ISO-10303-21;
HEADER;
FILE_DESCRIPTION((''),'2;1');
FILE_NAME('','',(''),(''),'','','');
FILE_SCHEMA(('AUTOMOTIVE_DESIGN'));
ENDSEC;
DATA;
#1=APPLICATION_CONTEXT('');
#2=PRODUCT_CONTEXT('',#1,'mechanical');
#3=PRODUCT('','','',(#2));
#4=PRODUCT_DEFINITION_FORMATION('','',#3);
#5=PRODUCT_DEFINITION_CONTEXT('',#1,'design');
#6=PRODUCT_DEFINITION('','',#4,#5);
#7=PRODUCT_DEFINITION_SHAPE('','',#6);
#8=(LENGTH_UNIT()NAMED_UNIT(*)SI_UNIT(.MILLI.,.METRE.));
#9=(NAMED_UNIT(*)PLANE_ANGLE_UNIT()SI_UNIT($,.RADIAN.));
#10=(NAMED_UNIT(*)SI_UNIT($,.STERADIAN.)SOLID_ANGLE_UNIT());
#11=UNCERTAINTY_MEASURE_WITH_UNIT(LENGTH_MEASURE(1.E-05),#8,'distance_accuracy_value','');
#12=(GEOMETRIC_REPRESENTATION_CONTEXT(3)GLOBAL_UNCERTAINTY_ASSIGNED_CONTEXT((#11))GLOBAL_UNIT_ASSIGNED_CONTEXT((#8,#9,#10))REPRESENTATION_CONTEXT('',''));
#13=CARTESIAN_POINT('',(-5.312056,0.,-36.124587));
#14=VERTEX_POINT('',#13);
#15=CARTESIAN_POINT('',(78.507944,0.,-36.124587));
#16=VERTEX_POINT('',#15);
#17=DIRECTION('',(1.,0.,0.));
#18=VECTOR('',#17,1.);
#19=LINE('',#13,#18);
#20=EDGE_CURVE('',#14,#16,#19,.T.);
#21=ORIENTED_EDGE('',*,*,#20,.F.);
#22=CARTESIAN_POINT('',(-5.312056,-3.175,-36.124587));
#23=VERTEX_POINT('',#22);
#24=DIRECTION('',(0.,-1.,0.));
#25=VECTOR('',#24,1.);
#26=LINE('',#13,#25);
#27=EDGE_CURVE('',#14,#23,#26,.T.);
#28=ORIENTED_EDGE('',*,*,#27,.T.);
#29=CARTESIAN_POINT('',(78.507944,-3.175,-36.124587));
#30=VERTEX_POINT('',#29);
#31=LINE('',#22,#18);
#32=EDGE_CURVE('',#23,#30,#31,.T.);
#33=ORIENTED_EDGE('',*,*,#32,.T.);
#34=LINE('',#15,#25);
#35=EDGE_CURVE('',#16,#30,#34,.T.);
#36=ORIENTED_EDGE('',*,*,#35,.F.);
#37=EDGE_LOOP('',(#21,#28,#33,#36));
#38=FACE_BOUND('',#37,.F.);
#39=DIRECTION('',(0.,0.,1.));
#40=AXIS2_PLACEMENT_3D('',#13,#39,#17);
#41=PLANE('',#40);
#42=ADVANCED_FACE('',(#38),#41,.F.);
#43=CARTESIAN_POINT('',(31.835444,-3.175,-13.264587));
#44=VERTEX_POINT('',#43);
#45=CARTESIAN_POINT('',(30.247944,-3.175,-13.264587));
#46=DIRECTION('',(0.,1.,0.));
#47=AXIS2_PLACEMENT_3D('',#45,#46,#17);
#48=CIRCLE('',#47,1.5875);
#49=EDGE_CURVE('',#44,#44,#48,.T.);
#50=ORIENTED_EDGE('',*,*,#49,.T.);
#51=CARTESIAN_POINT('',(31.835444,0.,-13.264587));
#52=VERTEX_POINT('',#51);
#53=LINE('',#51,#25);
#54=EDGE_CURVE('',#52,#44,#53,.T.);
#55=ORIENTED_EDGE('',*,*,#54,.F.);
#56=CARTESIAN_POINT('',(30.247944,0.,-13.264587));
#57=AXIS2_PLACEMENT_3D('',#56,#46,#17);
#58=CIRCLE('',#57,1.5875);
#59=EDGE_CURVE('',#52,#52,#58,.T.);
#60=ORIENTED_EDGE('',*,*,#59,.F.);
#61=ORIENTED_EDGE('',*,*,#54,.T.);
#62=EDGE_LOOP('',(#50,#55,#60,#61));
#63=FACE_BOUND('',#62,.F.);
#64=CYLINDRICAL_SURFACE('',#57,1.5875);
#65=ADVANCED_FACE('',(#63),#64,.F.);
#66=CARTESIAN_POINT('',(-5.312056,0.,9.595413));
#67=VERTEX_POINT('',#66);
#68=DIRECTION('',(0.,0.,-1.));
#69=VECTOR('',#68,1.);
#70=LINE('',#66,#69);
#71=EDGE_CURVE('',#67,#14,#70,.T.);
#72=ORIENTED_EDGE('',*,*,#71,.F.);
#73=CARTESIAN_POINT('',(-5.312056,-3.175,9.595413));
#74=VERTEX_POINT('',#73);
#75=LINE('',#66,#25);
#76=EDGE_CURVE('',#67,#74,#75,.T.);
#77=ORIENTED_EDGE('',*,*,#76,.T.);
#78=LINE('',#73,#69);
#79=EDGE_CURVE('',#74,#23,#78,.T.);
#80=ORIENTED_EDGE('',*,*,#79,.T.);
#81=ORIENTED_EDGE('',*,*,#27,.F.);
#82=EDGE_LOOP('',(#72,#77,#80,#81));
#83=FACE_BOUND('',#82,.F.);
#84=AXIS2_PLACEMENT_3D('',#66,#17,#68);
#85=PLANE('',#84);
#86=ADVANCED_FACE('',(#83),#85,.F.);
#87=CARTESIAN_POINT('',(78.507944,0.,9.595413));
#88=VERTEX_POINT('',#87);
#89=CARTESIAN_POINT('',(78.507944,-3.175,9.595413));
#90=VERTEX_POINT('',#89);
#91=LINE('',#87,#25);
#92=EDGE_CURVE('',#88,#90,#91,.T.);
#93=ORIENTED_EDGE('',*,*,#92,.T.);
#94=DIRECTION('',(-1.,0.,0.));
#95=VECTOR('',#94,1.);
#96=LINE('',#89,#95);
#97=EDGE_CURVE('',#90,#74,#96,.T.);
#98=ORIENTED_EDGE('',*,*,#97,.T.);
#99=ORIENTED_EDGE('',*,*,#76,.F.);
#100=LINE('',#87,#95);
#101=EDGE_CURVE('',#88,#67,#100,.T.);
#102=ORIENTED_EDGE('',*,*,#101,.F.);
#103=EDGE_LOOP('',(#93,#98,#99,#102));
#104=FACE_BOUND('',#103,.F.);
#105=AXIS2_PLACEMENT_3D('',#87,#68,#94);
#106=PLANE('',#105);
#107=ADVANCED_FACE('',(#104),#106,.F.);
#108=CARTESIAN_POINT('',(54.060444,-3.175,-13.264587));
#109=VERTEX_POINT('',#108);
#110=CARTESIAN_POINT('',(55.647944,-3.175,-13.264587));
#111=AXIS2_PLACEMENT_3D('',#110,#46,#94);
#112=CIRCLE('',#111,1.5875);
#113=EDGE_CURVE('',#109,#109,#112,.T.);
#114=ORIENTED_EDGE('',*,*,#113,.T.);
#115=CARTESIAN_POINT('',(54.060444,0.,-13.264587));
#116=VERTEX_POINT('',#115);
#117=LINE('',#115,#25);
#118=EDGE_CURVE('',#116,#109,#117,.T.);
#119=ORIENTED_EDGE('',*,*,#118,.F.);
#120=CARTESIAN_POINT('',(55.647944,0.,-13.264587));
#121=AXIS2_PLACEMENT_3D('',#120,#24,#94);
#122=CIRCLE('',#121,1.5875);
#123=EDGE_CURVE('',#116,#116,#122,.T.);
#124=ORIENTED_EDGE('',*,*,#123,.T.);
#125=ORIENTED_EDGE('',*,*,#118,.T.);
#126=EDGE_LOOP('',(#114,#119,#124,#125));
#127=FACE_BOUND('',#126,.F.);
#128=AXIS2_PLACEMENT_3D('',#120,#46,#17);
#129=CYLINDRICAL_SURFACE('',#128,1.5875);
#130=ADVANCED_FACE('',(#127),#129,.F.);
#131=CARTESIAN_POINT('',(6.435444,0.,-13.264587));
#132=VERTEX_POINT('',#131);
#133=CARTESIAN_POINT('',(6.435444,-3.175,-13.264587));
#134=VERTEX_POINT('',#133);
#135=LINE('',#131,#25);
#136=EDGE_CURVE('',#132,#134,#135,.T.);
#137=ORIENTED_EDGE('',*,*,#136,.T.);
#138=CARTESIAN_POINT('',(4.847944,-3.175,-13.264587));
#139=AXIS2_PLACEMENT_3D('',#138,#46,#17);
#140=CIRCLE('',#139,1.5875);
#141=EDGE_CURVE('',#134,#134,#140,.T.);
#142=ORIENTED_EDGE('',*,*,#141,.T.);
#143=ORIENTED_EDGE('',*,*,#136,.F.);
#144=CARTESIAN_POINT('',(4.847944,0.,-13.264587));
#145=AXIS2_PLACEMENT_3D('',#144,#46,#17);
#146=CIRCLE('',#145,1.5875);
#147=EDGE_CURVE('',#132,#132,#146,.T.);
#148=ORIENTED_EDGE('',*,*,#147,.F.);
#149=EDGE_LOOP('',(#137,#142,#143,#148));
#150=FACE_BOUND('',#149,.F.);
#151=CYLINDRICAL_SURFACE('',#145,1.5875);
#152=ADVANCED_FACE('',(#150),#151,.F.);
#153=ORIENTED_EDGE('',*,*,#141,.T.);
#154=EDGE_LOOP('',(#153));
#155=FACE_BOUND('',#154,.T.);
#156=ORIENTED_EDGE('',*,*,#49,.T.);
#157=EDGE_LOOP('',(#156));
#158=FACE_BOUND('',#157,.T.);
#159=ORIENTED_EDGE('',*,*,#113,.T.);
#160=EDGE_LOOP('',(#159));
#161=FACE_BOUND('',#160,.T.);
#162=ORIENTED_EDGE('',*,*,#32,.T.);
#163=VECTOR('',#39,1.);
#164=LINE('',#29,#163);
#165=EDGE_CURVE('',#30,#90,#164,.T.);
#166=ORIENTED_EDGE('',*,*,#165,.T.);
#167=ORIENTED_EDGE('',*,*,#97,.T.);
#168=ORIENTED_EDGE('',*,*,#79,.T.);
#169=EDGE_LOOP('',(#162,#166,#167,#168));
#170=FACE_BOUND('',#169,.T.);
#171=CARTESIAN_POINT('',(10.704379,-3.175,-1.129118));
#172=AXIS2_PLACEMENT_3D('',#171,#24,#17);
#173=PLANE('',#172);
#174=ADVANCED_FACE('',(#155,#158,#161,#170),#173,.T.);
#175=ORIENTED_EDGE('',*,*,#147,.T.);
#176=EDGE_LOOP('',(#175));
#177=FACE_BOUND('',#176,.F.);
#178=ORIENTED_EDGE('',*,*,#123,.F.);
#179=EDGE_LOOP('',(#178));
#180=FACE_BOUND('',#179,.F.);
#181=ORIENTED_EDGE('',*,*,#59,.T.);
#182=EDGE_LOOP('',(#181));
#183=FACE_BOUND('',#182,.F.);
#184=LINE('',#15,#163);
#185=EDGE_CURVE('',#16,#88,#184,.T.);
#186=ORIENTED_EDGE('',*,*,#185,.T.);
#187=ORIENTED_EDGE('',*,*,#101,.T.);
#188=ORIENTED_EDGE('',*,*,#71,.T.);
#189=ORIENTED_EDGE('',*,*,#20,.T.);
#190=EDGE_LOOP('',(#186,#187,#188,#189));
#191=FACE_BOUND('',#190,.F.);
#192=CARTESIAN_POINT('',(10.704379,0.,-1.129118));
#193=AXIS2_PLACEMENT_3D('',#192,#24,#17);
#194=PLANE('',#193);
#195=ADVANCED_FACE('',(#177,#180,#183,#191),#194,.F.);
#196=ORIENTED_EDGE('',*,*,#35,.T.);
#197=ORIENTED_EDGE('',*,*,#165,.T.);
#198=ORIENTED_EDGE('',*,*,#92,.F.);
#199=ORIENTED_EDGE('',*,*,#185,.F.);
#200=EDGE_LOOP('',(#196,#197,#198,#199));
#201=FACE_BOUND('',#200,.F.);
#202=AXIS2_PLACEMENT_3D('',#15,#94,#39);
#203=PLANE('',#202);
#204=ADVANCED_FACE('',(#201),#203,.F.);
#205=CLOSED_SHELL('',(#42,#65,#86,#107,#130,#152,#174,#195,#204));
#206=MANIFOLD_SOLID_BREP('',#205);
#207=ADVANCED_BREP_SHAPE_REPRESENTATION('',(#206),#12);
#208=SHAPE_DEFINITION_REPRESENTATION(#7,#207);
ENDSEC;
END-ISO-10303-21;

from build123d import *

# Parameters (mm, degrees)
F1_DEPTH = 3.175
F2_DEPTH = 3.175


with BuildPart() as f1:
    # F0 (on Front) → F1 (new body)
    with BuildSketch(Plane.XZ):
        Polygon((-1.5020562172, 9.5954131643), (-1.5020562172, 5.7854131643), (30.2479437828, 5.7854131643), (55.6479437828, 5.7854131643), (74.6979437828, 5.7854131643), (74.6979437828, 9.5954131643), align=None)
        Polygon((74.6979437828, -32.3145868357), (74.6979437828, -36.1245868357), (78.5079437828, -36.1245868357), (78.5079437828, 9.5954131643), (74.6979437828, 9.5954131643), (74.6979437828, 5.7854131643), (74.6979437828, -13.2645868357), align=None)
        Polygon((30.2479437828, -32.3145868357), (-1.5020562172, -32.3145868357), (-1.5020562172, -36.1245868357), (74.6979437828, -36.1245868357), (74.6979437828, -32.3145868357), (55.6479437828, -32.3145868357), align=None)
        Polygon((-1.5020562172, -36.1245868357), (-1.5020562172, -32.3145868357), (-1.5020562172, -13.2645868357), (-1.5020562172, 5.7854131643), (-1.5020562172, 9.5954131643), (-5.3120562172, 9.5954131643), (-5.3120562172, -36.1245868357), align=None)
        with BuildLine():
            ThreePointArc((36.5979437828, -13.2645868357), (38.257752582, -21.0417167691), (42.9479437828, -27.4636184928))
            ThreePointArc((42.9479437828, -27.4636184928), (47.6381349836, -21.0417167691), (49.2979437828, -13.2645868357))
            Line((49.2979437828, -13.2645868357), (36.5979437828, -13.2645868357))
        make_face()
        with BuildLine():
            ThreePointArc((36.5979437828, -13.2645868357), (30.2479437828, -6.9145868357), (23.8979437828, -13.2645868357))
            Line((23.8979437828, -13.2645868357), (28.6604437828, -13.2645868357))
            ThreePointArc((28.6604437828, -13.2645868357), (30.2479437828, -11.6770868357), (31.8354437828, -13.2645868357))
            Line((31.8354437828, -13.2645868357), (36.5979437828, -13.2645868357))
        make_face()
        with BuildLine():
            Line((28.6604437828, -13.2645868357), (23.8979437828, -13.2645868357))
            ThreePointArc((23.8979437828, -13.2645868357), (30.2479437828, -19.6145868357), (36.5979437828, -13.2645868357))
            Line((36.5979437828, -13.2645868357), (31.8354437828, -13.2645868357))
            ThreePointArc((31.8354437828, -13.2645868357), (30.2479437828, -14.8520868357), (28.6604437828, -13.2645868357))
        make_face()
        with BuildLine():
            ThreePointArc((11.1979437828, -13.2645868357), (16.7775596012, -26.7349710173), (30.2479437828, -32.3145868357))
            ThreePointArc((30.2479437828, -32.3145868357), (37.045404593, -31.060570274), (42.9479437828, -27.4636184928))
            ThreePointArc((42.9479437828, -27.4636184928), (38.257752582, -21.0417167691), (36.5979437828, -13.2645868357))
            ThreePointArc((36.5979437828, -13.2645868357), (30.2479437828, -19.6145868357), (23.8979437828, -13.2645868357))
            Line((23.8979437828, -13.2645868357), (11.1979437828, -13.2645868357))
        make_face()
        with BuildLine():
            ThreePointArc((30.2479437828, 5.7854131643), (16.7775596012, 0.2057973459), (11.1979437828, -13.2645868357))
            Line((11.1979437828, -13.2645868357), (23.8979437828, -13.2645868357))
            ThreePointArc((23.8979437828, -13.2645868357), (30.2479437828, -6.9145868357), (36.5979437828, -13.2645868357))
            ThreePointArc((36.5979437828, -13.2645868357), (38.257752582, -5.4874569024), (42.9479437828, 0.9344448214))
            ThreePointArc((42.9479437828, 0.9344448214), (37.045404593, 4.5313966025), (30.2479437828, 5.7854131643))
        make_face()
        with BuildLine():
            Line((36.5979437828, -13.2645868357), (49.2979437828, -13.2645868357))
            ThreePointArc((49.2979437828, -13.2645868357), (47.6381349836, -5.4874569024), (42.9479437828, 0.9344448214))
            ThreePointArc((42.9479437828, 0.9344448214), (38.257752582, -5.4874569024), (36.5979437828, -13.2645868357))
        make_face()
        with BuildLine():
            ThreePointArc((42.9479437828, -27.4636184928), (48.8504829726, -31.060570274), (55.6479437828, -32.3145868357))
            ThreePointArc((55.6479437828, -32.3145868357), (69.1183279644, -26.7349710173), (74.6979437828, -13.2645868357))
            Line((74.6979437828, -13.2645868357), (57.2354437828, -13.2645868357))
            ThreePointArc((57.2354437828, -13.2645868357), (55.6479437828, -14.8520868357), (54.0604437828, -13.2645868357))
            Line((54.0604437828, -13.2645868357), (49.2979437828, -13.2645868357))
            ThreePointArc((49.2979437828, -13.2645868357), (47.6381349836, -21.0417167691), (42.9479437828, -27.4636184928))
        make_face()
        with BuildLine():
            ThreePointArc((42.9479437828, -27.4636184928), (37.045404593, -31.060570274), (30.2479437828, -32.3145868357))
            Line((30.2479437828, -32.3145868357), (55.6479437828, -32.3145868357))
            ThreePointArc((55.6479437828, -32.3145868357), (48.8504829726, -31.060570274), (42.9479437828, -27.4636184928))
        make_face()
    extrude(amount=F1_DEPTH)

    # F0 (on Front) → F2 (join)
    with BuildSketch(Plane.XZ):
        with BuildLine():
            Line((-1.5020562172, 5.7854131643), (-1.5020562172, -13.2645868357))
            ThreePointArc((-1.5020562172, -13.2645868357), (4.8479437828, -6.9145868357), (11.1979437828, -13.2645868357))
            ThreePointArc((11.1979437828, -13.2645868357), (16.7775596012, 0.2057973459), (30.2479437828, 5.7854131643))
            Line((30.2479437828, 5.7854131643), (-1.5020562172, 5.7854131643))
        make_face()
        with BuildLine():
            Line((3.2604437828, -13.2645868357), (-1.5020562172, -13.2645868357))
            ThreePointArc((-1.5020562172, -13.2645868357), (4.8479437828, -19.6145868357), (11.1979437828, -13.2645868357))
            Line((11.1979437828, -13.2645868357), (6.4354437828, -13.2645868357))
            ThreePointArc((6.4354437828, -13.2645868357), (4.8479437828, -14.8520868357), (3.2604437828, -13.2645868357))
        make_face()
        with BuildLine():
            ThreePointArc((11.1979437828, -13.2645868357), (4.8479437828, -6.9145868357), (-1.5020562172, -13.2645868357))
            Line((-1.5020562172, -13.2645868357), (3.2604437828, -13.2645868357))
            ThreePointArc((3.2604437828, -13.2645868357), (4.8479437828, -11.6770868357), (6.4354437828, -13.2645868357))
            Line((6.4354437828, -13.2645868357), (11.1979437828, -13.2645868357))
        make_face()
        with BuildLine():
            Line((-1.5020562172, -13.2645868357), (-1.5020562172, -32.3145868357))
            Line((-1.5020562172, -32.3145868357), (30.2479437828, -32.3145868357))
            ThreePointArc((30.2479437828, -32.3145868357), (16.7775596012, -26.7349710173), (11.1979437828, -13.2645868357))
            ThreePointArc((11.1979437828, -13.2645868357), (4.8479437828, -19.6145868357), (-1.5020562172, -13.2645868357))
        make_face()
        with BuildLine():
            Line((55.6479437828, 5.7854131643), (30.2479437828, 5.7854131643))
            ThreePointArc((30.2479437828, 5.7854131643), (37.045404593, 4.5313966025), (42.9479437828, 0.9344448214))
            ThreePointArc((42.9479437828, 0.9344448214), (48.8504829726, 4.5313966025), (55.6479437828, 5.7854131643))
        make_face()
        with BuildLine():
            Line((57.2354437828, -13.2645868357), (74.6979437828, -13.2645868357))
            ThreePointArc((74.6979437828, -13.2645868357), (69.1183279644, 0.2057973459), (55.6479437828, 5.7854131643))
            ThreePointArc((55.6479437828, 5.7854131643), (48.8504829726, 4.5313966025), (42.9479437828, 0.9344448214))
            ThreePointArc((42.9479437828, 0.9344448214), (47.6381349836, -5.4874569024), (49.2979437828, -13.2645868357))
            Line((49.2979437828, -13.2645868357), (54.0604437828, -13.2645868357))
            ThreePointArc((54.0604437828, -13.2645868357), (55.6479437828, -11.6770868357), (57.2354437828, -13.2645868357))
        make_face()
        with BuildLine():
            ThreePointArc((74.6979437828, -13.2645868357), (69.1183279644, -26.7349710173), (55.6479437828, -32.3145868357))
            Line((55.6479437828, -32.3145868357), (74.6979437828, -32.3145868357))
            Line((74.6979437828, -32.3145868357), (74.6979437828, -13.2645868357))
        make_face()
        with BuildLine():
            ThreePointArc((55.6479437828, 5.7854131643), (69.1183279644, 0.2057973459), (74.6979437828, -13.2645868357))
            Line((74.6979437828, -13.2645868357), (74.6979437828, 5.7854131643))
            Line((74.6979437828, 5.7854131643), (55.6479437828, 5.7854131643))
        make_face()
    extrude(amount=F2_DEPTH)


solid = f1.part
